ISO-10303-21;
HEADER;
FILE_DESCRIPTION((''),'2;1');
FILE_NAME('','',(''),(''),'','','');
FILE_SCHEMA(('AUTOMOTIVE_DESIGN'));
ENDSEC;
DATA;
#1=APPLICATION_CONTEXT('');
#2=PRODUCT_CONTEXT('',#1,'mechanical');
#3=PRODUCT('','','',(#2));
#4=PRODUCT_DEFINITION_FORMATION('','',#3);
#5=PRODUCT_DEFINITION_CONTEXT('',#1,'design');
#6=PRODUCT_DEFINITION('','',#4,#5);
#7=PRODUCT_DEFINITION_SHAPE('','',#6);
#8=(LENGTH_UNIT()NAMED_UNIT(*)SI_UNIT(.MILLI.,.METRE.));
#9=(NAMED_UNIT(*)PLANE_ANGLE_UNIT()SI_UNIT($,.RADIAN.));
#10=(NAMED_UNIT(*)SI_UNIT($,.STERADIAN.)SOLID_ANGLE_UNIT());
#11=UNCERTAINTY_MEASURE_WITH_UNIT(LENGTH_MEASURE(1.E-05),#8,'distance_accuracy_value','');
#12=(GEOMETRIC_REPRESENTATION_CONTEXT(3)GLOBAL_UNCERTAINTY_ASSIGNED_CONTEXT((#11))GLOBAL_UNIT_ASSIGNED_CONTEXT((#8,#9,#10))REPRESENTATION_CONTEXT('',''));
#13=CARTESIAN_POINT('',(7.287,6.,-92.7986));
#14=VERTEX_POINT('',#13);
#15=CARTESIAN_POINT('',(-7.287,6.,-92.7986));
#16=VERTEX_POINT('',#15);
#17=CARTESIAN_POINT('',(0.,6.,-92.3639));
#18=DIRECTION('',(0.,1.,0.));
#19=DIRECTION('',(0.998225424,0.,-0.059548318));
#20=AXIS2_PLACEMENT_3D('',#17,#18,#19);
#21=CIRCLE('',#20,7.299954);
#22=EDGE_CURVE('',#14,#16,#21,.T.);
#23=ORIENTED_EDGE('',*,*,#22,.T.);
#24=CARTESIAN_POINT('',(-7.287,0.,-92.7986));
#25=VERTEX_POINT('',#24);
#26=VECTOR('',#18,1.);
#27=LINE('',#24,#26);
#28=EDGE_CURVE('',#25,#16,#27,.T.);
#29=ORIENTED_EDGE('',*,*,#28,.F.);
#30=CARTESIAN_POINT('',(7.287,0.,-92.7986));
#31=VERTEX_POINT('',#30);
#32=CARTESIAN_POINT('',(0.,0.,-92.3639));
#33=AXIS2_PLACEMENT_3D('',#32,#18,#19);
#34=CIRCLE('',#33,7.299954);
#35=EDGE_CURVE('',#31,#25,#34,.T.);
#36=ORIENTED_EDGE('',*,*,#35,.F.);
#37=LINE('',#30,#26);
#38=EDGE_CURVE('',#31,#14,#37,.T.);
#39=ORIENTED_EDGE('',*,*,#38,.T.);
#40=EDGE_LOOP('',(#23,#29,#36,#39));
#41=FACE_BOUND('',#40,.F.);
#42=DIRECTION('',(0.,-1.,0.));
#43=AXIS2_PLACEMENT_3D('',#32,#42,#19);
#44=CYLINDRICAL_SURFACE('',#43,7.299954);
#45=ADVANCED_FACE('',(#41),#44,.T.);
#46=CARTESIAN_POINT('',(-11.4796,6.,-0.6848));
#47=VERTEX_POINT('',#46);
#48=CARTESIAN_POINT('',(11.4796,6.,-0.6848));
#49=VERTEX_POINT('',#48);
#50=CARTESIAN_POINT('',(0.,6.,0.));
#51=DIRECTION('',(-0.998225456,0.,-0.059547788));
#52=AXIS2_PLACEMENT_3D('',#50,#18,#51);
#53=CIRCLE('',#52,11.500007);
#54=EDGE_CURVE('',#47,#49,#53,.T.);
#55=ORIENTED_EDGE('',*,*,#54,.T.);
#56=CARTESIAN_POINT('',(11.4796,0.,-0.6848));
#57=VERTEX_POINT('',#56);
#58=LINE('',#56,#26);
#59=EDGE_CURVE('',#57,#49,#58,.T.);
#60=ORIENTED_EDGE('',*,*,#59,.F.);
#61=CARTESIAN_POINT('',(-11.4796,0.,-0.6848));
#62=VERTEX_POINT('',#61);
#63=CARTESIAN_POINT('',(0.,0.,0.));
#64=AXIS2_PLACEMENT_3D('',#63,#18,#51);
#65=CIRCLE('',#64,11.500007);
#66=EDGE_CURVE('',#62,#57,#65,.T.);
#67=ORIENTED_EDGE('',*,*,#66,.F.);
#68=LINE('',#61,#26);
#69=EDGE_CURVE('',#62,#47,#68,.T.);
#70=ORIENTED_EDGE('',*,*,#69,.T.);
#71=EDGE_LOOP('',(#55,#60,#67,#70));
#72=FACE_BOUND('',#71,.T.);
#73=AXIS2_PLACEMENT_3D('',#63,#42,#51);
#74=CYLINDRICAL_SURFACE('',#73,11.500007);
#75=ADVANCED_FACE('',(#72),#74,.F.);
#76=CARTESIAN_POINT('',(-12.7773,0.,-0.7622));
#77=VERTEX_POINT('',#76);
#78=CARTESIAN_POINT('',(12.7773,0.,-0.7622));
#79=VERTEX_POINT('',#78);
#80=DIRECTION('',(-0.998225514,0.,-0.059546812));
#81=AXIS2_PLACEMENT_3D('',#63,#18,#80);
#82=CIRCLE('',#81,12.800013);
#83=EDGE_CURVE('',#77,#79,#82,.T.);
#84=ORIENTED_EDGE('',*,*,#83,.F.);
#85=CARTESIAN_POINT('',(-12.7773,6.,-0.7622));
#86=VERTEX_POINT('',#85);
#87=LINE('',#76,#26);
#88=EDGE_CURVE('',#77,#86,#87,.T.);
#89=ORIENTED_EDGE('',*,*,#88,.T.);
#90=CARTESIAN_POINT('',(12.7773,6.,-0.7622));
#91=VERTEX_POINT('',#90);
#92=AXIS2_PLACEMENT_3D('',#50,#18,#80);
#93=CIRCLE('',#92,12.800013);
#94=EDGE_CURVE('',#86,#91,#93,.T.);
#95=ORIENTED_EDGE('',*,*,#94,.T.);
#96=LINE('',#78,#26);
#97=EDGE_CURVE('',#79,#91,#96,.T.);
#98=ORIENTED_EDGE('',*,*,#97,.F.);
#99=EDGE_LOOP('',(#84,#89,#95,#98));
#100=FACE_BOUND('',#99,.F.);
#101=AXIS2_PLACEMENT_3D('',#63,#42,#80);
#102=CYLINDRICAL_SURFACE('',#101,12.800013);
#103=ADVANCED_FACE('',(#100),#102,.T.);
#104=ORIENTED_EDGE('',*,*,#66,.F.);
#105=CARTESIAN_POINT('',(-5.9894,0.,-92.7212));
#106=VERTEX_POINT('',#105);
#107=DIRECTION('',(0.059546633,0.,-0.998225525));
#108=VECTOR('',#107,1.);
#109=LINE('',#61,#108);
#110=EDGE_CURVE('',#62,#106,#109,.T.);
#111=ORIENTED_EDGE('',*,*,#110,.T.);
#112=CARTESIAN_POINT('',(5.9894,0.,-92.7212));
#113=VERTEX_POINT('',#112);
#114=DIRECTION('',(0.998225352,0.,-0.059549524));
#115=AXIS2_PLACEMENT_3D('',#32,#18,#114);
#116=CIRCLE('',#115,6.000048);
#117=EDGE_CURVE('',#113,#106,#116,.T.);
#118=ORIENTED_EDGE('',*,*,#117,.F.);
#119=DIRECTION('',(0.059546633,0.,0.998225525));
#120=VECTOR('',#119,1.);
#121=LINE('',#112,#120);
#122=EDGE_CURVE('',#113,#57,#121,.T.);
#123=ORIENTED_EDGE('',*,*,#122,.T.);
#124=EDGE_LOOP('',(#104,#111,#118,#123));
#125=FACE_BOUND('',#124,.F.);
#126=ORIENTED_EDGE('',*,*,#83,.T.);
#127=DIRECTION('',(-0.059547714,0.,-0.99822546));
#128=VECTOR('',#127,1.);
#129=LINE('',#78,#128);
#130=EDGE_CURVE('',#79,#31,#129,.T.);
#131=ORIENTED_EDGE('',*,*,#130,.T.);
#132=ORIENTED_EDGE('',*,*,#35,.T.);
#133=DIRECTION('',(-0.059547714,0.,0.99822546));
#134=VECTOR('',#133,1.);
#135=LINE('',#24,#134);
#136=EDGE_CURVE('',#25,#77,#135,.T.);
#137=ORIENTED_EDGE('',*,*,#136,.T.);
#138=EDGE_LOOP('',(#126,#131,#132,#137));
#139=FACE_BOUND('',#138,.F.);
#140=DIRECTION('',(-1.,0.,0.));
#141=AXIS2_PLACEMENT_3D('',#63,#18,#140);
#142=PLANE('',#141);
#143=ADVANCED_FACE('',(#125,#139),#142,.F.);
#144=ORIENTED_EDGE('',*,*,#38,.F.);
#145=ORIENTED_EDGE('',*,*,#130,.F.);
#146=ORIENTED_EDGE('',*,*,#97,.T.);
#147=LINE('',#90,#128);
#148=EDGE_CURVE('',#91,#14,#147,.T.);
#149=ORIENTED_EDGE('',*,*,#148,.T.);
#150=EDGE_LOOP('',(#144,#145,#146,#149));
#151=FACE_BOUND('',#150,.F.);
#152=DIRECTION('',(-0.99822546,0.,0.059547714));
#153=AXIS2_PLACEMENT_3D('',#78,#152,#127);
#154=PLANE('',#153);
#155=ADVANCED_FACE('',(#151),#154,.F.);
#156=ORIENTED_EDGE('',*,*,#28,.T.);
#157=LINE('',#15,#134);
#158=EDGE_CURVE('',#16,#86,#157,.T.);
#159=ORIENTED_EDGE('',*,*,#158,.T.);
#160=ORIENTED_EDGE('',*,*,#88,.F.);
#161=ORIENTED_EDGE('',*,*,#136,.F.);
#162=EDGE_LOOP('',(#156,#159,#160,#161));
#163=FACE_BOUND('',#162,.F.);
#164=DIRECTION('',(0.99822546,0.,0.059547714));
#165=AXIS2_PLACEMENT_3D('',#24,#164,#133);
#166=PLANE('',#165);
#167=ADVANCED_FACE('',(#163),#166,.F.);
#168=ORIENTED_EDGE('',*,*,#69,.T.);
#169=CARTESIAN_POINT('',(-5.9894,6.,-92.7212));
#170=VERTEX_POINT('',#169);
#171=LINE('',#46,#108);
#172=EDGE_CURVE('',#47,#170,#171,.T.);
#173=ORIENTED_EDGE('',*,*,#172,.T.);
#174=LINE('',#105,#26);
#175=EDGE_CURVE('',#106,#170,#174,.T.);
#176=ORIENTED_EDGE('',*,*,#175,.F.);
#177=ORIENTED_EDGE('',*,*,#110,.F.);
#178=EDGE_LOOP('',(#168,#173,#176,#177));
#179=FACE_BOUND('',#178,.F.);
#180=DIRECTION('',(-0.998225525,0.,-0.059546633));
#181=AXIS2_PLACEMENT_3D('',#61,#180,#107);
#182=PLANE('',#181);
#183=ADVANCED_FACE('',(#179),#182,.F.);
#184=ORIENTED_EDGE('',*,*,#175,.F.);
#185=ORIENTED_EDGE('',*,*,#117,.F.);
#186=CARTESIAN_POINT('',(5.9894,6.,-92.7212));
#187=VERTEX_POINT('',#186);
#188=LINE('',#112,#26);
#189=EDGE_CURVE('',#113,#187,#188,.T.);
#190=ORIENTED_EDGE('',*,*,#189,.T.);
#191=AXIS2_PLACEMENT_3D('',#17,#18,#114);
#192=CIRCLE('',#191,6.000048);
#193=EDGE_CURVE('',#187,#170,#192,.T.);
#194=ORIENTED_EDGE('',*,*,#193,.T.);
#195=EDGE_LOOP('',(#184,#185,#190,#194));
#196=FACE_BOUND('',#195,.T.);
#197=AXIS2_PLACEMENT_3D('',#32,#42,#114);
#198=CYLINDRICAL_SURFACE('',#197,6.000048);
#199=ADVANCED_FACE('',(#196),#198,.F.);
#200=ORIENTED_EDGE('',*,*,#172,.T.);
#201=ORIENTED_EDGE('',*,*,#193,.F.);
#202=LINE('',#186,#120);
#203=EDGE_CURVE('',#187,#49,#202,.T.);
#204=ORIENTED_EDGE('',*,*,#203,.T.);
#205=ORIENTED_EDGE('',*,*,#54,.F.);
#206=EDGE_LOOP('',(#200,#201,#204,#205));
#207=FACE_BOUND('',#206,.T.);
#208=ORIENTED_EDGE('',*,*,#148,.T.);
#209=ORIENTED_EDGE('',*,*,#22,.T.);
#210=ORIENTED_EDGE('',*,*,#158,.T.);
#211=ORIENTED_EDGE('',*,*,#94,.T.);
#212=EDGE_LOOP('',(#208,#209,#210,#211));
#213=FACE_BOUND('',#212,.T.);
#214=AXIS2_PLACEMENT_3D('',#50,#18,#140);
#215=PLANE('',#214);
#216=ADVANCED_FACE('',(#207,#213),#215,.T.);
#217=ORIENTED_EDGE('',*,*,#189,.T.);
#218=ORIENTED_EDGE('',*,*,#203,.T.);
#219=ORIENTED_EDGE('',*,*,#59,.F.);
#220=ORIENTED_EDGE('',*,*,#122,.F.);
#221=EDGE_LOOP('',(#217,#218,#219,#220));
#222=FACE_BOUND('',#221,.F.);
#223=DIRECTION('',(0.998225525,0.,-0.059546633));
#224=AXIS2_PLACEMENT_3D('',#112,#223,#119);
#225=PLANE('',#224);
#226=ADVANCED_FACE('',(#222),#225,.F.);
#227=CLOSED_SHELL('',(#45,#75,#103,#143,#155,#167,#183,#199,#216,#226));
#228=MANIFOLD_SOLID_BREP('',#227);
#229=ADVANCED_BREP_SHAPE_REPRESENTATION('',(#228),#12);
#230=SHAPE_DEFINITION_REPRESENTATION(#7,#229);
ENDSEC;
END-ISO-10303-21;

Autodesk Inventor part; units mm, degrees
ref_plane "YZ Plane" through (0, 0, 0) normal (1, 0, 0) x (0, 1, 0)
ref_plane "XZ Plane" through (0, 0, 0) normal (0, 1, 0) x (-1, 0, 0)
ref_plane "XY Plane" through (0, 0, 0) normal (0, 0, 1) x (1, 0, 0)
sketch "Sketch1" plane through (0, 0, 0) normal (0, 1, 0) x (-1, 0, 0)
  arc A0 (11.4796, -0.6848) -> (-11.4796, -0.6848) centre (0, 0) ccw
  arc A1 (-5.9894, -92.7212) -> (5.9894, -92.7212) centre (0, -92.3639) ccw
  line L0 (11.4796, -0.6848) -> (5.9894, -92.7212)
  line L1 (-5.9894, -92.7212) -> (-11.4796, -0.6848)
  line L2 (7.287, -92.7986) -> (12.7773, -0.7622)
  arc A2 (12.7773, -0.7622) -> (-12.7773, -0.7622) centre (0, 0) ccw
  line L3 (-12.7773, -0.7622) -> (-7.287, -92.7986)
  arc A3 (-7.287, -92.7986) -> (7.287, -92.7986) centre (0, -92.3639) ccw
  dimension "d0" = 23
  dimension "d1" = 12
  dimension "d2" = 92.2
  dimension "d6" = 1.3
extrude "Extrusion1" add sketch "Sketch1" along normal blind 6
properties part number "tandriem32Tnaar16T_lengte240"
